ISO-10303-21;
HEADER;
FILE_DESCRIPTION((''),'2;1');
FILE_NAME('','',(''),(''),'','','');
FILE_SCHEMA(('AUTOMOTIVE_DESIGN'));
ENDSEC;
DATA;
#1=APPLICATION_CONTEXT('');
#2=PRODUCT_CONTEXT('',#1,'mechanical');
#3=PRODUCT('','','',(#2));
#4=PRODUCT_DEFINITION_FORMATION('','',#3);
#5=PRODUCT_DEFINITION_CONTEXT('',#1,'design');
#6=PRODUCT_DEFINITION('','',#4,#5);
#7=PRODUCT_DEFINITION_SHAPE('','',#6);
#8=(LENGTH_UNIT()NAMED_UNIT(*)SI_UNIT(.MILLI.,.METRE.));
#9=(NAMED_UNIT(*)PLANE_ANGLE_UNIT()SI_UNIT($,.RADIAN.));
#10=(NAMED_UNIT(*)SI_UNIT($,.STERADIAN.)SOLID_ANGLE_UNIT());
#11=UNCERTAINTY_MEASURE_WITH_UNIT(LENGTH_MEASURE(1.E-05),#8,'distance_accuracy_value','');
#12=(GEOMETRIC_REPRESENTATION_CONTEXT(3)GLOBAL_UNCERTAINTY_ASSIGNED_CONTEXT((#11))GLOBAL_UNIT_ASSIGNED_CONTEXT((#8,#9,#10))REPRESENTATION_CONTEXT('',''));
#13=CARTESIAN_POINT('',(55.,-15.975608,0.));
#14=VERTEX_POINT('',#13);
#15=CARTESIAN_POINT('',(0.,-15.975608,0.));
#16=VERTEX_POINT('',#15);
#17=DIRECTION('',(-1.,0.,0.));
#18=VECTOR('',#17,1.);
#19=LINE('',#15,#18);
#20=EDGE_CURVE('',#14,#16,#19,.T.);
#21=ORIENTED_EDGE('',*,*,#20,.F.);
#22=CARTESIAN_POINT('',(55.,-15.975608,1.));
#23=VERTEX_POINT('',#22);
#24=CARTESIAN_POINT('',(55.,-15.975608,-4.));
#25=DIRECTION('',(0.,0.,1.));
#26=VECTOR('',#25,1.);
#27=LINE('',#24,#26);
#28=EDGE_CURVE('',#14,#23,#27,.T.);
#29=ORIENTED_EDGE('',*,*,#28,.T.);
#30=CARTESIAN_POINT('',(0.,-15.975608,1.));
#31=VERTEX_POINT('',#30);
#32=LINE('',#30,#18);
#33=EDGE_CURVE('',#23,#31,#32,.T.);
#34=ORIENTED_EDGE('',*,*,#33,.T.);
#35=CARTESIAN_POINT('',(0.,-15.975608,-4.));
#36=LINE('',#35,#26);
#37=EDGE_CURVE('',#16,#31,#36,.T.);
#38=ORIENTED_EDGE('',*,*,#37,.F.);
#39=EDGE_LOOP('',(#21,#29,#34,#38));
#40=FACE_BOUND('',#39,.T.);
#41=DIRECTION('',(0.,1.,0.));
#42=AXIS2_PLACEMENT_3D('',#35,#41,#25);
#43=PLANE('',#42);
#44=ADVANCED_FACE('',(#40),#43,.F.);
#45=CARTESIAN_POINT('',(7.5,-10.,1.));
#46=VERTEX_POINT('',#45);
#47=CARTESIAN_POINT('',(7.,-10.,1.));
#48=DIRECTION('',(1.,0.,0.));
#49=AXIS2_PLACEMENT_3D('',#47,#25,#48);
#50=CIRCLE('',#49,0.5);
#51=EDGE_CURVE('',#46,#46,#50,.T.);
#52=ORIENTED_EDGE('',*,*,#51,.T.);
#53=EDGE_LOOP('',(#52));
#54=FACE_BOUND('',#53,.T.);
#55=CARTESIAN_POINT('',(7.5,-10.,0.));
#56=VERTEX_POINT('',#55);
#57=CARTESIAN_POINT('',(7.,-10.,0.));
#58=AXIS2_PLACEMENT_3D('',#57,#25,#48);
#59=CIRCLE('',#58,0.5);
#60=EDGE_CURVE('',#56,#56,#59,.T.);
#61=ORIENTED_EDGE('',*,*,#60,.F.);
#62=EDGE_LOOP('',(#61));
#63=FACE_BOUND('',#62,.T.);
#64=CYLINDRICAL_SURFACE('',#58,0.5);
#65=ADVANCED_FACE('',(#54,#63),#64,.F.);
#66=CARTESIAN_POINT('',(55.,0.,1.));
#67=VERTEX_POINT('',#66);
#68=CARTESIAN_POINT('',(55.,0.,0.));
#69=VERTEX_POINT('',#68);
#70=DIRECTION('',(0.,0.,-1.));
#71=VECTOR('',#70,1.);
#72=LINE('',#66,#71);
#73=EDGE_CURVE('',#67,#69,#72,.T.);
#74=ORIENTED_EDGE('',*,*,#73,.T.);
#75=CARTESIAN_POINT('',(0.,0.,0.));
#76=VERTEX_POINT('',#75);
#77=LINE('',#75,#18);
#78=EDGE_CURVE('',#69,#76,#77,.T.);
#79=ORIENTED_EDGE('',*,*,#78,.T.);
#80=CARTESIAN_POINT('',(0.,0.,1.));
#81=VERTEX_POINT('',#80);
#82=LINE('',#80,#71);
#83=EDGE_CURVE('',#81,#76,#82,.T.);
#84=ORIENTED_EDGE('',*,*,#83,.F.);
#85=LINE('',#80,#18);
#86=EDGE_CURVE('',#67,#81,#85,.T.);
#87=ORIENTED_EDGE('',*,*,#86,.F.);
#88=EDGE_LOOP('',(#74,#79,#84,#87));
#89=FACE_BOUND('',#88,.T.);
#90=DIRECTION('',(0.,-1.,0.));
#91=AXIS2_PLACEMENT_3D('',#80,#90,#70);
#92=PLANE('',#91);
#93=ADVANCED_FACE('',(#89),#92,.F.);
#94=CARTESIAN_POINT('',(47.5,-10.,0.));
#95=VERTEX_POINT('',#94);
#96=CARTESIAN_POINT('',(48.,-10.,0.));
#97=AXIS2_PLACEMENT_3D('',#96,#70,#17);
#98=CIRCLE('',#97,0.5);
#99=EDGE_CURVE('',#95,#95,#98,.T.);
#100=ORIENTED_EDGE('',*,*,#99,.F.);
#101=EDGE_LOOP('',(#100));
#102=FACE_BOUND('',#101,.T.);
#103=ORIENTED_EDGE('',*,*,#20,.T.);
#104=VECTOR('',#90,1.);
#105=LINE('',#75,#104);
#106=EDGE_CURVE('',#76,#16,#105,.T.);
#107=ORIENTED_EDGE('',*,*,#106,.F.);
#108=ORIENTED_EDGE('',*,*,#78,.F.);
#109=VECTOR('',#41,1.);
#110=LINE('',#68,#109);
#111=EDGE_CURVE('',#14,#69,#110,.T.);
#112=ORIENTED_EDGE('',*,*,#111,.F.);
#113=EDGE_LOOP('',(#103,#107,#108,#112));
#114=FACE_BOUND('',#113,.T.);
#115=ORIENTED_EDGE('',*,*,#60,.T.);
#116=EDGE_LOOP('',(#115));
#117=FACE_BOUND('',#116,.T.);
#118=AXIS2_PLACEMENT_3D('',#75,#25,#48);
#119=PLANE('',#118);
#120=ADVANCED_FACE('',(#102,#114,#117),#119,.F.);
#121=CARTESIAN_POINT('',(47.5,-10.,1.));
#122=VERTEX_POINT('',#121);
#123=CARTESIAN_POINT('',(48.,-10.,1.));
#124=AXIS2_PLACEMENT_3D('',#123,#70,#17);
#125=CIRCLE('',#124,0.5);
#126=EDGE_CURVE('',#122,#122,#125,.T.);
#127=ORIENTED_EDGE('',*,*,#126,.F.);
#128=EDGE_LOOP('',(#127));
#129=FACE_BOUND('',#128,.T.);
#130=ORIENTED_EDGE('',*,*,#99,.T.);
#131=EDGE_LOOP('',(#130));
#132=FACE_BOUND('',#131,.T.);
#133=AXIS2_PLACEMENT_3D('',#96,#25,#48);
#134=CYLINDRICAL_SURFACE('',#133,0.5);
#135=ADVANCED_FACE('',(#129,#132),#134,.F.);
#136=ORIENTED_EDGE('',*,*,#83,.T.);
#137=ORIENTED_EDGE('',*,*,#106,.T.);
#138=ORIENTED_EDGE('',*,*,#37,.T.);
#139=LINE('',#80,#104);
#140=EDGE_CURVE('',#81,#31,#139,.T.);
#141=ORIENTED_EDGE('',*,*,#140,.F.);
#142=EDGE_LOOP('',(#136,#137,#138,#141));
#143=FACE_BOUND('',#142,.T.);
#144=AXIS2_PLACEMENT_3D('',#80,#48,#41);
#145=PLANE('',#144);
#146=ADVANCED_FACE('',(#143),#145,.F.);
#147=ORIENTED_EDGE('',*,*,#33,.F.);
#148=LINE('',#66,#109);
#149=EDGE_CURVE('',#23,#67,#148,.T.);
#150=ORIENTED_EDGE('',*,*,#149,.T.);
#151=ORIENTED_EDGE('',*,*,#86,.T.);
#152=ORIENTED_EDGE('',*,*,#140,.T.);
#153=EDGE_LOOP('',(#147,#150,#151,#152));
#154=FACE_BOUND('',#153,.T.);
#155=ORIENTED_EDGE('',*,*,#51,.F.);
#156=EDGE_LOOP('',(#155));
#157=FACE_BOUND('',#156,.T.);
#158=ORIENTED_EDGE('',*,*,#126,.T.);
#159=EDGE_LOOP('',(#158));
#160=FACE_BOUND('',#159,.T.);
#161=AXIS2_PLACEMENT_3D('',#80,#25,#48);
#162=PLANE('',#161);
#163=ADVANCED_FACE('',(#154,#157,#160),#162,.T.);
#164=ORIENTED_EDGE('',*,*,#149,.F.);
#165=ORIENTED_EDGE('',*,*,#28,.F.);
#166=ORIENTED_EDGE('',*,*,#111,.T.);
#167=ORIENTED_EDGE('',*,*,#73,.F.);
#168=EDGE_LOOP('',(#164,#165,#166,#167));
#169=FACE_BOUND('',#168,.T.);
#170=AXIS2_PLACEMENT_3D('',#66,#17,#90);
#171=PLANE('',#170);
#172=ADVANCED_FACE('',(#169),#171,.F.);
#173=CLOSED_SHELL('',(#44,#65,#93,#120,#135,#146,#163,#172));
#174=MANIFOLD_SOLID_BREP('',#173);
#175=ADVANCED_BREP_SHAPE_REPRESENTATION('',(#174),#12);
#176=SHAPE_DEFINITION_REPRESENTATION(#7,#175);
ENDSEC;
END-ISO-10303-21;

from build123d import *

# Parameters (mm, degrees)
SKETCH1_W           = 55
SKETCH1_H           = 20
BOSS_EXTRUDE1_DEPTH = 1
SKETCH2_R           = 0.5
CUT_EXTRUDE1_DEPTH  = 59.532042507
SKETCH4_W           = 55
SKETCH4_H           = 4.024392025
CUT_EXTRUDE3_DEPTH  = 5


with BuildPart() as part:
    # Sketch1 → Boss-Extrude1 (new body)
    with BuildSketch(Plane.XY):
        with Locations((27.5, -10)):
            Rectangle(SKETCH1_W, SKETCH1_H)
    extrude(amount=BOSS_EXTRUDE1_DEPTH)

    # Sketch2 → Cut-Extrude1 (cut, through all)
    with BuildSketch(Plane.XY.offset(1)):
        with Locations((7, -10)):
            Circle(SKETCH2_R)
    cut_extrude1 = extrude(amount=-CUT_EXTRUDE1_DEPTH, mode=Mode.SUBTRACT)

    # Mirror2: Cut-Extrude1 across plane
    add(cut_extrude1.mirror(Plane.ZY.offset(-27.5)), mode=Mode.SUBTRACT)

    # Sketch4 → Cut-Extrude3 (cut)
    with BuildSketch(Plane.XY.offset(1)):
        with Locations((27.5, -17.987803988)):
            Rectangle(SKETCH4_W, SKETCH4_H)
    extrude(amount=-CUT_EXTRUDE3_DEPTH, mode=Mode.SUBTRACT)


solid = part.part
